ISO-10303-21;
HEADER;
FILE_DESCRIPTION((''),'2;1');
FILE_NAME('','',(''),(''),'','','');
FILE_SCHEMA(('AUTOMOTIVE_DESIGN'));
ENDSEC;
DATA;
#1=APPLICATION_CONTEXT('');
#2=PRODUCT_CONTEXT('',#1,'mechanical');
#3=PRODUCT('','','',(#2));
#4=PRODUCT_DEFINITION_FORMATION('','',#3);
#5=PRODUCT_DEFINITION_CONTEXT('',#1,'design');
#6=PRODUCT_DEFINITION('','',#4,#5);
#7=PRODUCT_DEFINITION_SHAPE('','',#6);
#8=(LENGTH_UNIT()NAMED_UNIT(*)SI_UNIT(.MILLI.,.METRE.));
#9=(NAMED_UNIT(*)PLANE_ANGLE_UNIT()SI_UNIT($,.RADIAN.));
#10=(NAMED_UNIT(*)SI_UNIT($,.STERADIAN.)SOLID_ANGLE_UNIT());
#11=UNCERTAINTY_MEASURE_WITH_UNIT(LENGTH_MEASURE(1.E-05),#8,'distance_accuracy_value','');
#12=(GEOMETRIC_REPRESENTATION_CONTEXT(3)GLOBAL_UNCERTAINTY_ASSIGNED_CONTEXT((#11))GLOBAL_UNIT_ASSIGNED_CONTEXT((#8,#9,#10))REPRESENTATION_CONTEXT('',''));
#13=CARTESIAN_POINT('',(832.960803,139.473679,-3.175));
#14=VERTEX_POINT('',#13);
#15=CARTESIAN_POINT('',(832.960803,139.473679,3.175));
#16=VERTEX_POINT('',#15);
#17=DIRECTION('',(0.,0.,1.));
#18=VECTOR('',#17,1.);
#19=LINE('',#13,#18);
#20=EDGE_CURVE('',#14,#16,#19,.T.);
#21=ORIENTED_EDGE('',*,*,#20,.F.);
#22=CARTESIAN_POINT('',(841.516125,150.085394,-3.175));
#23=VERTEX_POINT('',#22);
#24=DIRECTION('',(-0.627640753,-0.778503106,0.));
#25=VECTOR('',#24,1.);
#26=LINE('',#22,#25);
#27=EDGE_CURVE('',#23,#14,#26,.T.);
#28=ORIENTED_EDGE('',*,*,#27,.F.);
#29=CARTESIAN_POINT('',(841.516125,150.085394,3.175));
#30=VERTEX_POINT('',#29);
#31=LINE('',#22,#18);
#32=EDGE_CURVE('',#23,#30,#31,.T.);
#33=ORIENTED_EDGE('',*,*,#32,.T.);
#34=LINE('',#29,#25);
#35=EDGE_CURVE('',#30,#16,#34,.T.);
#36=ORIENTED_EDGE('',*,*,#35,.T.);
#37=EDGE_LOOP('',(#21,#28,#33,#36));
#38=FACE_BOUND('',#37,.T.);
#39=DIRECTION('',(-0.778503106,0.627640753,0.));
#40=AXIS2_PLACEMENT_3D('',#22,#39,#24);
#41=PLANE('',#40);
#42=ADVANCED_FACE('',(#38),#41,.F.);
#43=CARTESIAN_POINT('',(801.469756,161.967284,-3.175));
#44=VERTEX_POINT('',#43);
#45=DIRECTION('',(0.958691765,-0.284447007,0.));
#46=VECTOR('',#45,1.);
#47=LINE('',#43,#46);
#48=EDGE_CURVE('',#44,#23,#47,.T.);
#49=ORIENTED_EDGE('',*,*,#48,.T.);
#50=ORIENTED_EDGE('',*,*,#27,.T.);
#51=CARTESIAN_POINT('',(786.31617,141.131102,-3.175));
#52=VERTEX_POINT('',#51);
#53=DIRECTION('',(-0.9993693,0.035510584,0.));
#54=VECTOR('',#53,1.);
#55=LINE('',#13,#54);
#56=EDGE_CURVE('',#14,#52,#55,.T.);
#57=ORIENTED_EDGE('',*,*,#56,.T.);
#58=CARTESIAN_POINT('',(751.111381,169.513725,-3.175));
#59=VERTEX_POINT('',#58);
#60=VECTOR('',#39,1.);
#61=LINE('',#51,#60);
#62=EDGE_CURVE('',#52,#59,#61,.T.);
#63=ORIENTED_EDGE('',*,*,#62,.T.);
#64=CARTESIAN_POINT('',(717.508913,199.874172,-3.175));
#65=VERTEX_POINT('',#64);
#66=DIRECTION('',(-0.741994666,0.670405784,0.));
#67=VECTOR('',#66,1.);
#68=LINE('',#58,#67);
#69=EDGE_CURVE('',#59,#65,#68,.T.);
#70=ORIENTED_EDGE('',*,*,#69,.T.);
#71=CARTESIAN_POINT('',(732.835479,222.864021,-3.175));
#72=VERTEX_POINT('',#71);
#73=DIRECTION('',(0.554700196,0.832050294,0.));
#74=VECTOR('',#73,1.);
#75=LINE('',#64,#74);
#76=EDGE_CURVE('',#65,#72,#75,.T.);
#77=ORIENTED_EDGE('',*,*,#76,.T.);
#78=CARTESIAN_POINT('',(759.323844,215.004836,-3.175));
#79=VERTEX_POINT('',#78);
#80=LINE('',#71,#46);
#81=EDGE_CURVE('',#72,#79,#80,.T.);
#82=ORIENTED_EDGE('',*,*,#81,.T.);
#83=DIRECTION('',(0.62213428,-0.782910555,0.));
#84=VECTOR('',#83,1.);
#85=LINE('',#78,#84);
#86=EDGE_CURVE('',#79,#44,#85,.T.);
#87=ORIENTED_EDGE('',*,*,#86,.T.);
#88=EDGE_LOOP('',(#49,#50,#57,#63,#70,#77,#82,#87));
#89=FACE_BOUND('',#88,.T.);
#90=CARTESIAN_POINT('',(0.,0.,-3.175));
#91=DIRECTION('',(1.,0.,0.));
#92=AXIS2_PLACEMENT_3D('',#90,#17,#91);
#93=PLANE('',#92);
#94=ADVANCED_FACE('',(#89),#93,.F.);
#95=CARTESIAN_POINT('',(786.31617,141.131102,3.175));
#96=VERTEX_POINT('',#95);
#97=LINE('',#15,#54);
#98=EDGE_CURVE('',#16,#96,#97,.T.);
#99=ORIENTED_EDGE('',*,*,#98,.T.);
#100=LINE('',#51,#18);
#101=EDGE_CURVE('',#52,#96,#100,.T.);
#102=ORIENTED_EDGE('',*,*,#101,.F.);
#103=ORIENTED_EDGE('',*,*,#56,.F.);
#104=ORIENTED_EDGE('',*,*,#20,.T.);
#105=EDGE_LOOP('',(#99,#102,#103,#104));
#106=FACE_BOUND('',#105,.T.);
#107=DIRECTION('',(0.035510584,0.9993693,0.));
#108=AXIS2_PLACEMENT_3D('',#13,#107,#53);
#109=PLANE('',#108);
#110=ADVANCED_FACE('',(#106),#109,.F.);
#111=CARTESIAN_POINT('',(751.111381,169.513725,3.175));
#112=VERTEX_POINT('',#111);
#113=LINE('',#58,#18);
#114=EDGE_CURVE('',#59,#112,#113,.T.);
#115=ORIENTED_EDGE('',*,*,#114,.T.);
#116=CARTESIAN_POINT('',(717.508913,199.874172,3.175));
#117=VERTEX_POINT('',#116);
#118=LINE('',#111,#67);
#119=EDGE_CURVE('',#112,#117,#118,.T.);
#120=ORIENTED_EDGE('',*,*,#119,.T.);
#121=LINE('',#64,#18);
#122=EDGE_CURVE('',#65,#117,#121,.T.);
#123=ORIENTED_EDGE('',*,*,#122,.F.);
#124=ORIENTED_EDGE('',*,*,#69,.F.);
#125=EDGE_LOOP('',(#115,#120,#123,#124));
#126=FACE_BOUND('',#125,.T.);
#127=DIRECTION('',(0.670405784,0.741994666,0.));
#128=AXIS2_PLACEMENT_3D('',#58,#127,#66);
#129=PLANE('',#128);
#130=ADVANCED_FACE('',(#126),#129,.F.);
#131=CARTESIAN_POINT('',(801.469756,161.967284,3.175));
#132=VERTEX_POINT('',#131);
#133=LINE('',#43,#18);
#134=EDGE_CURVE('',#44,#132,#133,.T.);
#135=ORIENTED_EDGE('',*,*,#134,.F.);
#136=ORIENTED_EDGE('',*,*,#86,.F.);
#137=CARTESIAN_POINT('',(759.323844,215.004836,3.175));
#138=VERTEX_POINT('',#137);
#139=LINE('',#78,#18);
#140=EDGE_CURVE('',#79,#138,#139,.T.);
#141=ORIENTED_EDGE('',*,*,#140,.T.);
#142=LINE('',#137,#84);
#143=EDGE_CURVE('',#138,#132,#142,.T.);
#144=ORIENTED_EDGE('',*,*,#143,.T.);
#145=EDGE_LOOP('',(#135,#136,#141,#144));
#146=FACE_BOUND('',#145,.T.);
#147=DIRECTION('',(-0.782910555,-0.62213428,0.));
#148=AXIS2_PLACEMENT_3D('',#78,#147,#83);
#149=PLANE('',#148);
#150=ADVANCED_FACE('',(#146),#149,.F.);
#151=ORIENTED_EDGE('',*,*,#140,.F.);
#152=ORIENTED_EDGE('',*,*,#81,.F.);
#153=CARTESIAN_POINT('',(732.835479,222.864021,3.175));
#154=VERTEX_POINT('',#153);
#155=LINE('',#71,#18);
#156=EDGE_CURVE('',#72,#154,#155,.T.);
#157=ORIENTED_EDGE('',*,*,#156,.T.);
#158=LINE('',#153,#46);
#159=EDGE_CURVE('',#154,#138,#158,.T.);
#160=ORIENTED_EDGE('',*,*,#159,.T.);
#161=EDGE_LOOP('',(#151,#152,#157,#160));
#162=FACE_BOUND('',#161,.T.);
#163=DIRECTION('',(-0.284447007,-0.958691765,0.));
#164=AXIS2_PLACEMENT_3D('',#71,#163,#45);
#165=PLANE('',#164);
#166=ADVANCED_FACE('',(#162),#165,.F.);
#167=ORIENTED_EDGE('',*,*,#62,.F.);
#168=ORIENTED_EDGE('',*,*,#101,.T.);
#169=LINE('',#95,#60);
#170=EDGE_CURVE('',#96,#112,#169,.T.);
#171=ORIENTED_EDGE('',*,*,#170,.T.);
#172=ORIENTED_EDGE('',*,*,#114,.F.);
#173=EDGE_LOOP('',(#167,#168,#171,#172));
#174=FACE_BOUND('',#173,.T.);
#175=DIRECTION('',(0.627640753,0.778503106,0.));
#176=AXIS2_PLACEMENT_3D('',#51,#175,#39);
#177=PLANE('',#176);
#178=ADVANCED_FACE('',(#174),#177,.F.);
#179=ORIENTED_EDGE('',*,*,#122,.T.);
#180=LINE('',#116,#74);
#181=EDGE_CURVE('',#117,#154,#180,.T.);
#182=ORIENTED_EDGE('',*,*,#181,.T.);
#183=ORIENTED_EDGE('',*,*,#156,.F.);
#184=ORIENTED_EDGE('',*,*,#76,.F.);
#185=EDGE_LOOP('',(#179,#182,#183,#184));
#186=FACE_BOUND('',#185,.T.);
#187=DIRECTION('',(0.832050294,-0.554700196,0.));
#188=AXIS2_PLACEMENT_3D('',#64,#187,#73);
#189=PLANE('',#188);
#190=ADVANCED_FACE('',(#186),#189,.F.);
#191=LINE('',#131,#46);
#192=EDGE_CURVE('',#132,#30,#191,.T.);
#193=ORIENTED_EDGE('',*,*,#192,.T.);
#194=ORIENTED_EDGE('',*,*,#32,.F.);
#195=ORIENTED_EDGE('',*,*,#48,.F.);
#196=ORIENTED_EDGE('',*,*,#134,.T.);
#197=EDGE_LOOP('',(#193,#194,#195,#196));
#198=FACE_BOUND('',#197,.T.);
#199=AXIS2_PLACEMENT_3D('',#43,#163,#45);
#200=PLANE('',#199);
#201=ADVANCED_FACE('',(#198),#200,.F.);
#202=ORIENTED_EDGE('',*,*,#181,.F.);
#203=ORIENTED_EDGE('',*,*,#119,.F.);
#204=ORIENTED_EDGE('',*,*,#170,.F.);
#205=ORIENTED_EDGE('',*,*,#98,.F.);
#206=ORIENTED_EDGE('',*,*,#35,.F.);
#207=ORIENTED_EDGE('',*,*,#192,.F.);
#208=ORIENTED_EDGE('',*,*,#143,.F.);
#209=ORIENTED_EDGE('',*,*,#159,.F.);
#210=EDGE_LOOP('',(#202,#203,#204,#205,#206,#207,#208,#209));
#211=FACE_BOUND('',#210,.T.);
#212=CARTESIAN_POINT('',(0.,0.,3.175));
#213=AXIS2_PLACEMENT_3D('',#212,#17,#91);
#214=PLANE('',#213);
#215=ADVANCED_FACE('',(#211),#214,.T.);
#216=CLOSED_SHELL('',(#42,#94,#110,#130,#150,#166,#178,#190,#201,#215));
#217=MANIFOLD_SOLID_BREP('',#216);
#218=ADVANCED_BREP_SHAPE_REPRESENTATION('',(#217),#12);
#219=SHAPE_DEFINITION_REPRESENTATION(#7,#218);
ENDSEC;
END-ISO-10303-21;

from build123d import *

# Parameters (mm, degrees)
BOSS_EXTRUDE1_DEPTH      = 3.175
BOSS_EXTRUDE1_DEPTH_BACK = 3.175


with BuildPart() as part:
    # Sketch1 → Boss-Extrude1 (new, two sides: drawn at the far end of the back side and taken through both)
    with BuildSketch(Plane.XY.offset(-BOSS_EXTRUDE1_DEPTH_BACK)):
        Polygon((732.835479136, 222.864021495), (759.323844019, 215.00483631), (801.46975639, 161.967283663), (841.51612548, 150.085393933), (832.960803274, 139.473678746), (786.31616992, 141.131102266), (751.111381007, 169.513725343), (717.508912563, 199.874171636), align=None)
    extrude(amount=BOSS_EXTRUDE1_DEPTH + BOSS_EXTRUDE1_DEPTH_BACK)


solid = part.part
